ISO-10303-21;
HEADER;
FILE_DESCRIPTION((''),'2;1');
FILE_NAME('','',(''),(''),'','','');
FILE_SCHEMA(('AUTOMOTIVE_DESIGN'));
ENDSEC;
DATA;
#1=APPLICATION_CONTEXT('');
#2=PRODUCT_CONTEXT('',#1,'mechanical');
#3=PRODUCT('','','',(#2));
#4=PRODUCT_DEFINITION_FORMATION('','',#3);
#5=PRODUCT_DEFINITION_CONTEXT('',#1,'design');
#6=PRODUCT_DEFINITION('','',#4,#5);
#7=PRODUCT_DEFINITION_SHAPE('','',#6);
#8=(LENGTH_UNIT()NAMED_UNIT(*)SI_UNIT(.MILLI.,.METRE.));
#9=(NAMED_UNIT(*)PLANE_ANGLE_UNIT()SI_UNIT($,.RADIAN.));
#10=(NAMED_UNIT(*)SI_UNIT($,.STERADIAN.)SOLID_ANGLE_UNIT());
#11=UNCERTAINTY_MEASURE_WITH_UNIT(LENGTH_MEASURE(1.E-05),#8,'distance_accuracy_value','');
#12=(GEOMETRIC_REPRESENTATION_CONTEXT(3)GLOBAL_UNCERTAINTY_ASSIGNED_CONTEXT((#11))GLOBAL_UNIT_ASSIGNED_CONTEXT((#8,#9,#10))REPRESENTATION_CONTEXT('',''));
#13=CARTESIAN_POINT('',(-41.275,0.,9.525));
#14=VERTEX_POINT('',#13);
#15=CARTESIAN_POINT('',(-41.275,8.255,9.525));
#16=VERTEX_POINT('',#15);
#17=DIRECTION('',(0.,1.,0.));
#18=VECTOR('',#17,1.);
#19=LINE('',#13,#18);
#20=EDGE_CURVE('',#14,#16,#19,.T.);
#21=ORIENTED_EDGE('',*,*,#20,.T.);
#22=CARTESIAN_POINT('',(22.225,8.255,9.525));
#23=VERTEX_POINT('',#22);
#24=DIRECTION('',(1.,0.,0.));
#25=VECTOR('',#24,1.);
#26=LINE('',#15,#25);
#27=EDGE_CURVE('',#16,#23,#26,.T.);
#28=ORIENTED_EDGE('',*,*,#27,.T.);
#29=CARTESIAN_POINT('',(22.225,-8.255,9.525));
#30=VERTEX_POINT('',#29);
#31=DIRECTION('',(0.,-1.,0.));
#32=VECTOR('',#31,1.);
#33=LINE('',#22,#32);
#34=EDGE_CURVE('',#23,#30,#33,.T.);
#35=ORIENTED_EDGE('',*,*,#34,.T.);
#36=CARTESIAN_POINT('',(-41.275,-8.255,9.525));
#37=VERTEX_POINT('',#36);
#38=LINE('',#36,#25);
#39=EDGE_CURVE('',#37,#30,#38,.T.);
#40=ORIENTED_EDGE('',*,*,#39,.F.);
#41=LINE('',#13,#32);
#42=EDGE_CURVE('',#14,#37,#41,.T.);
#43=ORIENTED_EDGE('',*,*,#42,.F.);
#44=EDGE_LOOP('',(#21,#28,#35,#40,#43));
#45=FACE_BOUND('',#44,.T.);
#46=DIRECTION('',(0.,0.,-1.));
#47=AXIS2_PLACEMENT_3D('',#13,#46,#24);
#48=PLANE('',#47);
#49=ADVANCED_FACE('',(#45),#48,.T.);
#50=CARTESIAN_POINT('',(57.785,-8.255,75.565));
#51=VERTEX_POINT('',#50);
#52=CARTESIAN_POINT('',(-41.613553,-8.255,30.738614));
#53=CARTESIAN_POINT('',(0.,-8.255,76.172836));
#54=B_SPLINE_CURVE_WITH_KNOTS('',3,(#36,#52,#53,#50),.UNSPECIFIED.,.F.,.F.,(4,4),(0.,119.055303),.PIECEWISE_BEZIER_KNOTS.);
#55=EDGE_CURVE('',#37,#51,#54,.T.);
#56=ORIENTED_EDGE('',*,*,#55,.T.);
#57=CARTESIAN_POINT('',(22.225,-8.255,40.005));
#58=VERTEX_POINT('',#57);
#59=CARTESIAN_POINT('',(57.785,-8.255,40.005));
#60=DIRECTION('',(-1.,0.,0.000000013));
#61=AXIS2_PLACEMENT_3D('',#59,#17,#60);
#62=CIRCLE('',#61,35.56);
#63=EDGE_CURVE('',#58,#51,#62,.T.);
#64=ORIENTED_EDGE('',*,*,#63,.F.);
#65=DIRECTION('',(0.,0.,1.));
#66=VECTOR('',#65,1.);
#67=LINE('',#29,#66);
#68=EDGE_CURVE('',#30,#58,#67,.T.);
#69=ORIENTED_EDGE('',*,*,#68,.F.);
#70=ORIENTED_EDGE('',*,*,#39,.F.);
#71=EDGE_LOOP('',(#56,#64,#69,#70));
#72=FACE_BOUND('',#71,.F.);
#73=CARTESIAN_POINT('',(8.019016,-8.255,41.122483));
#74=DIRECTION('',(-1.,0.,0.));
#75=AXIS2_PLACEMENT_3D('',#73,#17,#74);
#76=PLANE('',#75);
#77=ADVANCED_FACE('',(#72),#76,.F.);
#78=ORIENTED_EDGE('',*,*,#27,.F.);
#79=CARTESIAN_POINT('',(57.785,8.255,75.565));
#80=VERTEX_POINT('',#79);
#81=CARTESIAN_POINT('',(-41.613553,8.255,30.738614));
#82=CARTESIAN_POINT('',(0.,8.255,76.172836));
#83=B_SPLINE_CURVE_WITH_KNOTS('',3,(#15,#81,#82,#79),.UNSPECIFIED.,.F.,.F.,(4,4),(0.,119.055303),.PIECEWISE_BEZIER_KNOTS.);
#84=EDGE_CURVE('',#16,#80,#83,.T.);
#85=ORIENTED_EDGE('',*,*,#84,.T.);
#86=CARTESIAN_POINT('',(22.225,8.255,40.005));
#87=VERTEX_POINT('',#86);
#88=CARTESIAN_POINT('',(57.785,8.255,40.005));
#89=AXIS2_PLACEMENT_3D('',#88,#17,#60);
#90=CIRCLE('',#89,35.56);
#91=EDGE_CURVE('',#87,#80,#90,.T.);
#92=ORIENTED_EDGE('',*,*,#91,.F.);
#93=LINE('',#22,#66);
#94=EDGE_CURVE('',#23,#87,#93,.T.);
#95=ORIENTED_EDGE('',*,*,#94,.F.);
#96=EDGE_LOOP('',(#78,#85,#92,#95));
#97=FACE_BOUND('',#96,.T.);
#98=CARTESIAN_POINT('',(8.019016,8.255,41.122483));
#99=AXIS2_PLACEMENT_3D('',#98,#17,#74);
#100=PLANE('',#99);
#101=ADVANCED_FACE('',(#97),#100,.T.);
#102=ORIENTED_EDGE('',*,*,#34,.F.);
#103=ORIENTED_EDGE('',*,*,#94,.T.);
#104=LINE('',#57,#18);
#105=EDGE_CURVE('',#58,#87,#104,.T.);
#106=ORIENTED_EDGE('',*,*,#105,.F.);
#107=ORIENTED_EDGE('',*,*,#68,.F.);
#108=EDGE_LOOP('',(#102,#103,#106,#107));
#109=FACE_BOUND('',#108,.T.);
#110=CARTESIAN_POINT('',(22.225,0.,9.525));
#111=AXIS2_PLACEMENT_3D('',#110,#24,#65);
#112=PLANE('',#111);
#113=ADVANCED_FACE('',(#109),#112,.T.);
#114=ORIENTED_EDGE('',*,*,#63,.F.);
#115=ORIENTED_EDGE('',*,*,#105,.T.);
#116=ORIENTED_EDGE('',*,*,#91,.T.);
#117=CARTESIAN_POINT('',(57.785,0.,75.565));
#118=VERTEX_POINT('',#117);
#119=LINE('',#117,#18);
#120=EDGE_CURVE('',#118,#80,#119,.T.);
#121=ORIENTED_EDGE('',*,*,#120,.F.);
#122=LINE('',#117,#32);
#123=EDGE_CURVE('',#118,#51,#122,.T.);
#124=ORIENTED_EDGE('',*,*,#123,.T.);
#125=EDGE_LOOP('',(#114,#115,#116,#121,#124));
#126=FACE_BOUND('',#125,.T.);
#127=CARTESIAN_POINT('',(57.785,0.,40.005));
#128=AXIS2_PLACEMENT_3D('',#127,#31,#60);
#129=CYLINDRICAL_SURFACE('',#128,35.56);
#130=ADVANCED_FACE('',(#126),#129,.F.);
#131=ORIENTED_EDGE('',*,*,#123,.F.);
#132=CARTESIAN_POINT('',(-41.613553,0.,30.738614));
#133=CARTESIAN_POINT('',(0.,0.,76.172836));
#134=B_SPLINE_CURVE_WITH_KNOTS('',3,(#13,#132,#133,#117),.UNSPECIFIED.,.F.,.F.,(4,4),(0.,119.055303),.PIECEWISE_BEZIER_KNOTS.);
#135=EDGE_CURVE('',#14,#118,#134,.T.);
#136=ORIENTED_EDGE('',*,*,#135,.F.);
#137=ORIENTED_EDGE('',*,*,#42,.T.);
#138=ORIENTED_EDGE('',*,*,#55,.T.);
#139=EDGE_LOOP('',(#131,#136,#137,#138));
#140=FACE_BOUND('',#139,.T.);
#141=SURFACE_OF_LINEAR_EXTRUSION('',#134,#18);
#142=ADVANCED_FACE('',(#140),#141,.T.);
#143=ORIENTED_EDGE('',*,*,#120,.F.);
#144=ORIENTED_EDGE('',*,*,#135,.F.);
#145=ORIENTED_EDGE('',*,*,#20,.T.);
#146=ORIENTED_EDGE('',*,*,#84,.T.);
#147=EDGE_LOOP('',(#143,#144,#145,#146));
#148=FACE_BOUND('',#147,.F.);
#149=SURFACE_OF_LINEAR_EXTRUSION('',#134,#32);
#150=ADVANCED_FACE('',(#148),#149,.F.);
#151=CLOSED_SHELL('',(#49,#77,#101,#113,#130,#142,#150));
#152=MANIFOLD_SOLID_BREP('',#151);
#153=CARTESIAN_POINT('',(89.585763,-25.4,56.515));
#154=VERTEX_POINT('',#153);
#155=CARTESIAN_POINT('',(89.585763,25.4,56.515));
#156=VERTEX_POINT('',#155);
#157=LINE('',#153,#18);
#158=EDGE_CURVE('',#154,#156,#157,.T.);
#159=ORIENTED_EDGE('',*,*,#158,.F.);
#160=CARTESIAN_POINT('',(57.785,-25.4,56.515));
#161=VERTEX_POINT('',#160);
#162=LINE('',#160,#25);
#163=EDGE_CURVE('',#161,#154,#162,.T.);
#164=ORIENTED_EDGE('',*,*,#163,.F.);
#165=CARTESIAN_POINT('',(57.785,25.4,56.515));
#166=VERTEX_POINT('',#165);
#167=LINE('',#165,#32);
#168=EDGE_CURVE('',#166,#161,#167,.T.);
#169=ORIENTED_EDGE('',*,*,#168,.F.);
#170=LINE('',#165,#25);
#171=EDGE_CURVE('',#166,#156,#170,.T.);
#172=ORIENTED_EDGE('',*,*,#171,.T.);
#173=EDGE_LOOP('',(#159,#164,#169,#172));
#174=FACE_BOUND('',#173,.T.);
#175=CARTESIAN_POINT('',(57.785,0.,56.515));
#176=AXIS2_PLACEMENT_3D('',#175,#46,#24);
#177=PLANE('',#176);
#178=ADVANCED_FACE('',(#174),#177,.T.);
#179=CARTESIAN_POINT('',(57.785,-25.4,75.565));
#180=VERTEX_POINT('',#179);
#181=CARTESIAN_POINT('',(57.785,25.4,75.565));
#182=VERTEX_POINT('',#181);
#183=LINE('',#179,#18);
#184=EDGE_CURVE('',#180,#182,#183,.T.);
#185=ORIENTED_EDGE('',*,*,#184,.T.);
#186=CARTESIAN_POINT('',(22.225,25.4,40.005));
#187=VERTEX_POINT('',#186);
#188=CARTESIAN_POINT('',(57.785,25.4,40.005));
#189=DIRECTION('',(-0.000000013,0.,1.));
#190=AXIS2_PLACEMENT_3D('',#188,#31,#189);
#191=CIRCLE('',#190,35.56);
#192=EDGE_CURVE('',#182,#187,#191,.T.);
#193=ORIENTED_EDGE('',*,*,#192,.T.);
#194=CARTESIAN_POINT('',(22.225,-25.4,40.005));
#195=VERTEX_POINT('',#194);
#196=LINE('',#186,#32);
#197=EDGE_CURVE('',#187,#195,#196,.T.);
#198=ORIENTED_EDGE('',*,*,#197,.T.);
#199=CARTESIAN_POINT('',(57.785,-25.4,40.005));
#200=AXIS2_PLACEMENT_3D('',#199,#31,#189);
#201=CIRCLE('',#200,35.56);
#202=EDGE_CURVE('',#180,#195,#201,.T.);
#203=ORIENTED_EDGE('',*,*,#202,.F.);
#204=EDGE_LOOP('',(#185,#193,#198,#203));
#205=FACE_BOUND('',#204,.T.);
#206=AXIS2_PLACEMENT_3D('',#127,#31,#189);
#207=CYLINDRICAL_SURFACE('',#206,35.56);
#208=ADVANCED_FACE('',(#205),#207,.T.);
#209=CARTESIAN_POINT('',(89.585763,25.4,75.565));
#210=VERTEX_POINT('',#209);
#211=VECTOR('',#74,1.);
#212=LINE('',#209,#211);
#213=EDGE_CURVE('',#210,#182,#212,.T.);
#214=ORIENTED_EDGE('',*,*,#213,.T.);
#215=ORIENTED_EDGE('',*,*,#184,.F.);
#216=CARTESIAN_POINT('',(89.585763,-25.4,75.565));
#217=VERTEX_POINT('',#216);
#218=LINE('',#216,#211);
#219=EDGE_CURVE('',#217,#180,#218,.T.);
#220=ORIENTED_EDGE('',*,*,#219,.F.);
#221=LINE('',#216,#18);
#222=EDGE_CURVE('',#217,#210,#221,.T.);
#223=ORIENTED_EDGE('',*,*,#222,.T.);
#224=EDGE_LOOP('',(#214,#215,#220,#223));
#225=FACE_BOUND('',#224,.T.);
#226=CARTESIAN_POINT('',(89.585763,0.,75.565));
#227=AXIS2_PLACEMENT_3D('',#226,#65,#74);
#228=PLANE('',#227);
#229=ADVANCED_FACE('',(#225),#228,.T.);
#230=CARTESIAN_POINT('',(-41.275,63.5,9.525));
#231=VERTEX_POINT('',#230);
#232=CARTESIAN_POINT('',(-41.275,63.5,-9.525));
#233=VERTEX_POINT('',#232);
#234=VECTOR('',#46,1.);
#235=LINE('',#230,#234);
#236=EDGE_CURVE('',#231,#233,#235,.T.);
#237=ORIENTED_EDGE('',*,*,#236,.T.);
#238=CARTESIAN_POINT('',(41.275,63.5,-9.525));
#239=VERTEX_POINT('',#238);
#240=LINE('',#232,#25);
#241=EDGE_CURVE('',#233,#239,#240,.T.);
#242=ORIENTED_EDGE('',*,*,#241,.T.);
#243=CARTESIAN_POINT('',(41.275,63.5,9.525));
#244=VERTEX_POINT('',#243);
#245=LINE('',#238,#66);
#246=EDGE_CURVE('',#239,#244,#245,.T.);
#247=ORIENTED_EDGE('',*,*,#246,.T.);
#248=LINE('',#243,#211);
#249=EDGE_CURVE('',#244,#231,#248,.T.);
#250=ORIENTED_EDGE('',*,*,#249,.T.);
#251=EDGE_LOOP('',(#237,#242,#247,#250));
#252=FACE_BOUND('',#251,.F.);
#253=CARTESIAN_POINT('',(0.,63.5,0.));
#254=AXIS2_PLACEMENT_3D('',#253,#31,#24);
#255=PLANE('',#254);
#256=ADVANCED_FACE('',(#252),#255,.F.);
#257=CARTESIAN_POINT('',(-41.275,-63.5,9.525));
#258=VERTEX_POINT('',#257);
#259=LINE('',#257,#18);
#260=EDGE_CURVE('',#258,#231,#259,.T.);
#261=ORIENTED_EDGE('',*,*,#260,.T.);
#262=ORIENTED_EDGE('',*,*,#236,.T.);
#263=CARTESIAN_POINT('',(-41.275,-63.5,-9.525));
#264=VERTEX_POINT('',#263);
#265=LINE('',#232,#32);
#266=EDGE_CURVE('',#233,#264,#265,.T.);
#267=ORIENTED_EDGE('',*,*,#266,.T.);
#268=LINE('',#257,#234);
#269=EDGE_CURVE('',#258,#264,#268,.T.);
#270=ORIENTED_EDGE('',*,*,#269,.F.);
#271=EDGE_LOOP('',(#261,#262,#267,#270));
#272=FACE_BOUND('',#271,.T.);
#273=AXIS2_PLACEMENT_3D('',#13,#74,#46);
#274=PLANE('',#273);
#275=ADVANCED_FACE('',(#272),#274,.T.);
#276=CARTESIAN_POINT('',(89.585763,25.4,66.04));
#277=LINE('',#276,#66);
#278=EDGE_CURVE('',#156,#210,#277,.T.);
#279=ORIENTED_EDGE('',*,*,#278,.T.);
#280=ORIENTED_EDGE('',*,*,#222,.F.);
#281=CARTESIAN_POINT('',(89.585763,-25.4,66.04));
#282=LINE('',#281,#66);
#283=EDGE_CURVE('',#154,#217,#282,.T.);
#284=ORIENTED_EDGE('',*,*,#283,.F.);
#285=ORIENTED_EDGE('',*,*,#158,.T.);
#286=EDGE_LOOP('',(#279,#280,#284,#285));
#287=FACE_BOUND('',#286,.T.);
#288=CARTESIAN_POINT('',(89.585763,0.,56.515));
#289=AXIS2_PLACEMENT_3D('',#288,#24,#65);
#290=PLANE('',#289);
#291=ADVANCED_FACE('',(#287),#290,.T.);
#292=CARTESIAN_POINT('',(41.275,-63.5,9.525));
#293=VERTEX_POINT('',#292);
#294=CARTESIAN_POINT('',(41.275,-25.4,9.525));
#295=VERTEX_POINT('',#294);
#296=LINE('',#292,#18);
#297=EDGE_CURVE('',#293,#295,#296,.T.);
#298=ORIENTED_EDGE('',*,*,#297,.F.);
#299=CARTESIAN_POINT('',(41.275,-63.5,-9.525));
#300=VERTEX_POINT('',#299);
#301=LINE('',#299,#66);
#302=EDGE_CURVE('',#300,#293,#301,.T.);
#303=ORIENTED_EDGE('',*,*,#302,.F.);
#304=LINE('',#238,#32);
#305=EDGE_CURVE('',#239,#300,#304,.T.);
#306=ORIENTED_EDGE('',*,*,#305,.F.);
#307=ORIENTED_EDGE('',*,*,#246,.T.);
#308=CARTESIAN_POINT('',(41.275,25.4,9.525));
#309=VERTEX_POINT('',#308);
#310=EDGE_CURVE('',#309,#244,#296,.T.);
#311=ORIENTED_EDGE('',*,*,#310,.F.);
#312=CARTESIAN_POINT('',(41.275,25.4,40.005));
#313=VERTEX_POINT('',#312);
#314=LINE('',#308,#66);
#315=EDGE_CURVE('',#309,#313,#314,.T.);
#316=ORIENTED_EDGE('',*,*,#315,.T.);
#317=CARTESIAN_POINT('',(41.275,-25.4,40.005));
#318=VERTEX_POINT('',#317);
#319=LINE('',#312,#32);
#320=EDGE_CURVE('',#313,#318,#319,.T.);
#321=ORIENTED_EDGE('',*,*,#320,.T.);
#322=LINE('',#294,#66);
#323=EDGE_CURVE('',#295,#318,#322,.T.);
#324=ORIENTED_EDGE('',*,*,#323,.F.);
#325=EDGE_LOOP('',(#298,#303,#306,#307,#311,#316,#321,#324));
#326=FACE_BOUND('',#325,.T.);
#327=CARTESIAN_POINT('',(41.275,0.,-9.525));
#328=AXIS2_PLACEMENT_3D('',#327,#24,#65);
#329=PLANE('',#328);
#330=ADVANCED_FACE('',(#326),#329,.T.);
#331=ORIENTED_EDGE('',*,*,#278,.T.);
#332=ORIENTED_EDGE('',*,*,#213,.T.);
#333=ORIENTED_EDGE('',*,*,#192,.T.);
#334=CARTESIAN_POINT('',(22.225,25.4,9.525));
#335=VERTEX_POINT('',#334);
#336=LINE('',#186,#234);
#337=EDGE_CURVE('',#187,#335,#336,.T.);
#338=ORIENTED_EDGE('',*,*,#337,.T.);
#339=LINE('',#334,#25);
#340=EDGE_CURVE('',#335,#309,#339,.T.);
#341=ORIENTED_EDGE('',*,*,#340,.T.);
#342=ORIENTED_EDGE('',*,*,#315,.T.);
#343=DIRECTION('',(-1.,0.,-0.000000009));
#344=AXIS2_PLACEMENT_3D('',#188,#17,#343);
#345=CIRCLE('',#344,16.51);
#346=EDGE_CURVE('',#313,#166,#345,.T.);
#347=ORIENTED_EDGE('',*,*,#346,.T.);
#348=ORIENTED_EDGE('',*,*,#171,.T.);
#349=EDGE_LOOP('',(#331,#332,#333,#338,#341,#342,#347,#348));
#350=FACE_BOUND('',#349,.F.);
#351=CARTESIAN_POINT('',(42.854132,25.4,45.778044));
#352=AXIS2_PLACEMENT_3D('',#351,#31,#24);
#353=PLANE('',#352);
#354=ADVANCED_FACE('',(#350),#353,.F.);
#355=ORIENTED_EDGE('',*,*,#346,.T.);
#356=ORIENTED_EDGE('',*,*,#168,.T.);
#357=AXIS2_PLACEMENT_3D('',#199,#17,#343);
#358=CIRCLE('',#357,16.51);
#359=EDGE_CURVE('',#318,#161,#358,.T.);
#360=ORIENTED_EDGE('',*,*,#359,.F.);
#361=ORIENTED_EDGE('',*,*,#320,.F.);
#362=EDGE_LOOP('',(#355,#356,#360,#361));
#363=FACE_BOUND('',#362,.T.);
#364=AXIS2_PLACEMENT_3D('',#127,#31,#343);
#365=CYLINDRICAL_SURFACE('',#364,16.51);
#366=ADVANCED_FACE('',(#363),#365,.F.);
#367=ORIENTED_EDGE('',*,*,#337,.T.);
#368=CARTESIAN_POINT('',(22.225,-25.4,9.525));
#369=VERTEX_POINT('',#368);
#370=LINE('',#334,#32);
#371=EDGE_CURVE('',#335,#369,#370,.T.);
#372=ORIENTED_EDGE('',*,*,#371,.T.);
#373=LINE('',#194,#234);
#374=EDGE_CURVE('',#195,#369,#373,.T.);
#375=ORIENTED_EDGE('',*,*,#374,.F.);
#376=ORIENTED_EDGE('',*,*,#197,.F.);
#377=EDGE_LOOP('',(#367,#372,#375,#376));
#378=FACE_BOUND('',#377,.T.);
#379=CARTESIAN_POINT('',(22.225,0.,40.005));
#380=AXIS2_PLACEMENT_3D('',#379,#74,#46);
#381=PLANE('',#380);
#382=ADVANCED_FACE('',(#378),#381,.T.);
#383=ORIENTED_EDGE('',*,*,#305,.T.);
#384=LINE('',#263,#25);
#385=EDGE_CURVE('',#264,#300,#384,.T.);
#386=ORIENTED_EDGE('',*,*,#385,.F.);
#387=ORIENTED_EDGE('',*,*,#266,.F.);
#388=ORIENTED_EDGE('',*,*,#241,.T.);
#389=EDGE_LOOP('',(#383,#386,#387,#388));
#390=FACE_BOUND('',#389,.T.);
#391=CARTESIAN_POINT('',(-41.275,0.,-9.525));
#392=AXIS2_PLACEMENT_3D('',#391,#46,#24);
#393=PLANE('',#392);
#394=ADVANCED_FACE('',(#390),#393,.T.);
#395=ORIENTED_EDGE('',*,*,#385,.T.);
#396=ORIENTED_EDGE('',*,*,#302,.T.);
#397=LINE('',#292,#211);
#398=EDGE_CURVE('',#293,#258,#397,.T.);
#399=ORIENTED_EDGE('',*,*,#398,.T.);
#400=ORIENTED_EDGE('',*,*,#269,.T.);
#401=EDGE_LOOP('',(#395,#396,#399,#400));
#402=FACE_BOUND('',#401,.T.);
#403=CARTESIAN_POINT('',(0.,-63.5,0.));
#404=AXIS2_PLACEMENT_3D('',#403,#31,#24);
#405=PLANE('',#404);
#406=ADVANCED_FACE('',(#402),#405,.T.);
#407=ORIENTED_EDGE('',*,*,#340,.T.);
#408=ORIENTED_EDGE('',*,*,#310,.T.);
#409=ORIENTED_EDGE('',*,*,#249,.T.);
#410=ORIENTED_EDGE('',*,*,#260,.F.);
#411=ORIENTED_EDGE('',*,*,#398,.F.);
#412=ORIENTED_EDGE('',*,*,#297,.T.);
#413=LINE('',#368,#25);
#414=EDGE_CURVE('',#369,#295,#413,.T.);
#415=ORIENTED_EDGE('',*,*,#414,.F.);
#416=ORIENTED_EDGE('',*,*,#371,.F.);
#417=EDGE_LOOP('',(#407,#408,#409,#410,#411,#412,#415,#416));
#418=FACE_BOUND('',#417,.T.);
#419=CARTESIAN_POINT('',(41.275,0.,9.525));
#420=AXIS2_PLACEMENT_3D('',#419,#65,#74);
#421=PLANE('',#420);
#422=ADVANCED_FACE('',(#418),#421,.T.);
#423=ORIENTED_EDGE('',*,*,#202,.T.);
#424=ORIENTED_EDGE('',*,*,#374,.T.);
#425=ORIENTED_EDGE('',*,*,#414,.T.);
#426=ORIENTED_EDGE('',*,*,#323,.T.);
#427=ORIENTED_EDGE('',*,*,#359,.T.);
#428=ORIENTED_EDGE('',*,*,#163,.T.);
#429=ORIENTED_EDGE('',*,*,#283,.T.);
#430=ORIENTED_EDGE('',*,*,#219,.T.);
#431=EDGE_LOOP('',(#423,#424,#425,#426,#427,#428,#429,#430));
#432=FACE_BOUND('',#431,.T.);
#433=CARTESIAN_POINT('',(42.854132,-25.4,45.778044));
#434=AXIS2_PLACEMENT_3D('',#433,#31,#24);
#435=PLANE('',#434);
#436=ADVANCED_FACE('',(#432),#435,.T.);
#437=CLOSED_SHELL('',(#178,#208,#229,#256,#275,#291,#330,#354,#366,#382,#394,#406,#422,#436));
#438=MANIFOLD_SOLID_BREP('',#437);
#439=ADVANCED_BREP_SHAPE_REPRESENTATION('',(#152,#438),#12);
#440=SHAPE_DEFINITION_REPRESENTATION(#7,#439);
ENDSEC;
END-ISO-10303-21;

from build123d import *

# Parameters (mm, degrees)
F1_DEPTH = 63.5
F0_W     = 17.792325
F0_H     = 19.05
F2_DEPTH = 25.4
F3_DEPTH = 8.255


with BuildPart() as f1:
    # F0 (on Front) → F1 (new body, symmetric)
    with BuildSketch(Plane.XZ):
        Polygon((22.225, 9.525), (-41.275, 9.525), (-41.275, -9.525), (41.275, -9.525), (41.275, 9.525), align=None)
    extrude(amount=F1_DEPTH, both=True)

    # F0 (on Front) → F2 (join, symmetric)
    with BuildSketch(Plane.XZ):
        with BuildLine():
            Line((22.225, 40.005), (22.225, 9.525))
            Line((22.225, 9.525), (41.275, 9.525))
            Line((41.275, 9.525), (41.275, 40.005))
            ThreePointArc((41.275, 40.005), (46.110667, 51.679333), (57.785, 56.515))
            Line((57.785, 56.515), (71.793439, 56.515))
            Line((71.793439, 56.515), (71.793439, 75.565))
            Line((71.793439, 75.565), (57.785, 75.565))
            ThreePointArc((57.785, 75.565), (32.640283, 65.149717), (22.225, 40.005))
        make_face()
        with Locations((80.689601, 66.04)):
            Rectangle(F0_W, F0_H)
    extrude(amount=F2_DEPTH, both=True)


with BuildPart() as f3:
    # F0 (on Front) → F3 (new body, symmetric)
    with BuildSketch(Plane.XZ):
        with BuildLine():
            add(Edge.make_bspline(
                [(-41.275, 9.525), (-41.613553, 30.738614), (0, 76.172836), (57.785, 75.565)],
                knots=[0, 0, 0, 0, 119.055303, 119.055303, 119.055303, 119.055303], degree=3))
            Line((-41.275, 9.525), (22.225, 9.525))
            Line((22.225, 9.525), (22.225, 40.005))
            ThreePointArc((22.225, 40.005), (32.640283, 65.149717), (57.785, 75.565))
        make_face()
    extrude(amount=F3_DEPTH, both=True)


solid = Compound([f1.part, f3.part])
